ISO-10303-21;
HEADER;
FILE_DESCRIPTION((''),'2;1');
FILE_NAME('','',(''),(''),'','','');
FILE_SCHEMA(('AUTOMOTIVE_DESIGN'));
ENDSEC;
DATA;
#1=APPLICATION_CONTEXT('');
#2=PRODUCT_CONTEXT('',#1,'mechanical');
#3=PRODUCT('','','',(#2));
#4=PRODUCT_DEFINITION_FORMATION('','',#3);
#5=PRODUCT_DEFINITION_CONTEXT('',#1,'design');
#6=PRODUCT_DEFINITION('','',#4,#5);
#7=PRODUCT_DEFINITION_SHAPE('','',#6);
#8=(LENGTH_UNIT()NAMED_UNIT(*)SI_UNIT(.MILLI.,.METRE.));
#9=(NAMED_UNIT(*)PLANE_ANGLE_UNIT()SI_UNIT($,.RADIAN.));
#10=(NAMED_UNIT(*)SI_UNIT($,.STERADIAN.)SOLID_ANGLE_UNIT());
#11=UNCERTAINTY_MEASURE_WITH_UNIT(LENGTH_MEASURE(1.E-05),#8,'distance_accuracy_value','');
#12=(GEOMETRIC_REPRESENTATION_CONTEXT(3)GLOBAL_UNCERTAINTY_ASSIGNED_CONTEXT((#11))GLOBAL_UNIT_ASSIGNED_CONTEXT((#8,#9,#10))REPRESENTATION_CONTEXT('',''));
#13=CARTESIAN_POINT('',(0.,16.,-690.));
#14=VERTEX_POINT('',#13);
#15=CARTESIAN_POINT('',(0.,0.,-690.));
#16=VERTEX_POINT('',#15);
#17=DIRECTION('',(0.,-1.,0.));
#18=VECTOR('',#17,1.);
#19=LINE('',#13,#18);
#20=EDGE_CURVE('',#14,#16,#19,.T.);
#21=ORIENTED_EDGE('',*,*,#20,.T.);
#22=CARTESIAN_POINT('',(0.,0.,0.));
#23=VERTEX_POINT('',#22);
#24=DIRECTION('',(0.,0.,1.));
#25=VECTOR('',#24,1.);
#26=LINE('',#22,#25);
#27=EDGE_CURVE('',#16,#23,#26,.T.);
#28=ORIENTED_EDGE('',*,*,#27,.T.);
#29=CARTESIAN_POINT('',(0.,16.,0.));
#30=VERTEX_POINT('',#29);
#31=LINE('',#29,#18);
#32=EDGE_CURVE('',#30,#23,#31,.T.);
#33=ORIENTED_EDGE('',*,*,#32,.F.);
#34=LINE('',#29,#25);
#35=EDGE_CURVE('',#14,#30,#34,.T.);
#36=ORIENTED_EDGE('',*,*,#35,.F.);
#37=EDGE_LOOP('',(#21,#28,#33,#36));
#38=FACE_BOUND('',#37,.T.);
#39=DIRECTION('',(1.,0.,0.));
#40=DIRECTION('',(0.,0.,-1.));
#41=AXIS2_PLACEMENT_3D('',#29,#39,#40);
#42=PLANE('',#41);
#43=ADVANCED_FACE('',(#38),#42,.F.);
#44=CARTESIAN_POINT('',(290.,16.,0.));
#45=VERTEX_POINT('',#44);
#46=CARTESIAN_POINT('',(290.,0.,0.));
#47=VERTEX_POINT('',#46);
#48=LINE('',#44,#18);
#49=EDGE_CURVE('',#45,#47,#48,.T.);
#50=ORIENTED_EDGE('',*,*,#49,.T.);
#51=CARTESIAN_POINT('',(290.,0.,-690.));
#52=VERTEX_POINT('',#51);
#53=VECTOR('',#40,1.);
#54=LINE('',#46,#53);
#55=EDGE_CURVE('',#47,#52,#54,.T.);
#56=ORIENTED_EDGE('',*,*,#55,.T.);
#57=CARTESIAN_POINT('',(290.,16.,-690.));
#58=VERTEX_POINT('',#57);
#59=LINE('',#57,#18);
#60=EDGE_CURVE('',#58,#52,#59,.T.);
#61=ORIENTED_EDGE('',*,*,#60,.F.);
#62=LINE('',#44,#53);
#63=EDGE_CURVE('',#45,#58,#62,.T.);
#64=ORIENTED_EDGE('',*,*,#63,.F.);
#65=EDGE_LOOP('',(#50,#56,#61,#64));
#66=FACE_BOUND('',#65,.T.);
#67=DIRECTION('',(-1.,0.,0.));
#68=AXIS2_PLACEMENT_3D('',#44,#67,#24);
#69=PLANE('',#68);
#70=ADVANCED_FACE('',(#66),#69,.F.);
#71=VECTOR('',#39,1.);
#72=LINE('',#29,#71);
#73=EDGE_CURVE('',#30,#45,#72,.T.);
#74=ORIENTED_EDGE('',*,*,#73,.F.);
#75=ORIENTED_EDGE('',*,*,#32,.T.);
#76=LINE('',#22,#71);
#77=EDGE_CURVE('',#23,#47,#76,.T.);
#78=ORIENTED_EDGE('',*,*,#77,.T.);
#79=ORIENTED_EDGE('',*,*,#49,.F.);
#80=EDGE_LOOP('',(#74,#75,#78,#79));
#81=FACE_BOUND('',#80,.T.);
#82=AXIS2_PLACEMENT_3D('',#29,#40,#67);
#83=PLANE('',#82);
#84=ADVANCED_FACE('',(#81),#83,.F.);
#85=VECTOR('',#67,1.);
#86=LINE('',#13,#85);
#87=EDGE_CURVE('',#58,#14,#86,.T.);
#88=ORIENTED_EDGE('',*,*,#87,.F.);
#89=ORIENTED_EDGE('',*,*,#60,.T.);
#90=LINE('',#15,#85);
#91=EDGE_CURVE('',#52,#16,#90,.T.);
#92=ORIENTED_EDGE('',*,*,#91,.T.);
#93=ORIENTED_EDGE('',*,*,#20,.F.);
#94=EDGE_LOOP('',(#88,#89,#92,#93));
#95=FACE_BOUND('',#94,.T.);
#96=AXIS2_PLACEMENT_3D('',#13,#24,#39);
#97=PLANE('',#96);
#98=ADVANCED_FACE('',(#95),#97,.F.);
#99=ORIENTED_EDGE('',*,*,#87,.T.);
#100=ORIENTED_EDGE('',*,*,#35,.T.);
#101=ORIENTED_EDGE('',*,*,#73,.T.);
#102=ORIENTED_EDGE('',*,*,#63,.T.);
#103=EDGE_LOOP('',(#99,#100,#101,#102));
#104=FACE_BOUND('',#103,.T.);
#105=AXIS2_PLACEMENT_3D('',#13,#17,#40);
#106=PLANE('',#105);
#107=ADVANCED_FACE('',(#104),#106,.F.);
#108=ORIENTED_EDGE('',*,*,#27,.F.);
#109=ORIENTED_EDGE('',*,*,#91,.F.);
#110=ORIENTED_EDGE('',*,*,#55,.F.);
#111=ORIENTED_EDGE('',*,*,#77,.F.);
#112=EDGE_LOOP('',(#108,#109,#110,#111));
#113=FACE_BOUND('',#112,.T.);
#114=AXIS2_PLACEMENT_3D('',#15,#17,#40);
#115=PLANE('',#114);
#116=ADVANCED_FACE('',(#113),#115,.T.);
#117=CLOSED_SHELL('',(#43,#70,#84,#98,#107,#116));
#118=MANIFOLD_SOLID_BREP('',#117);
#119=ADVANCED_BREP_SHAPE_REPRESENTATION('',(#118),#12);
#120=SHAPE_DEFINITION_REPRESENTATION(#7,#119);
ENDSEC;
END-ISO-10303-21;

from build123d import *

# Parameters (mm, degrees)
SKETCH1_W      = 290
SKETCH1_H      = 690
EXTRUDE1_DEPTH = 16


with BuildPart() as part:
    # Sketch1 → Extrude1 (new body)
    with BuildSketch(Plane(origin=(0, 0, 0), x_dir=(1, 0, 0), z_dir=(0, 1, 0))):
        with Locations((145, 345)):
            Rectangle(SKETCH1_W, SKETCH1_H)
    extrude(amount=EXTRUDE1_DEPTH)


solid = part.part
